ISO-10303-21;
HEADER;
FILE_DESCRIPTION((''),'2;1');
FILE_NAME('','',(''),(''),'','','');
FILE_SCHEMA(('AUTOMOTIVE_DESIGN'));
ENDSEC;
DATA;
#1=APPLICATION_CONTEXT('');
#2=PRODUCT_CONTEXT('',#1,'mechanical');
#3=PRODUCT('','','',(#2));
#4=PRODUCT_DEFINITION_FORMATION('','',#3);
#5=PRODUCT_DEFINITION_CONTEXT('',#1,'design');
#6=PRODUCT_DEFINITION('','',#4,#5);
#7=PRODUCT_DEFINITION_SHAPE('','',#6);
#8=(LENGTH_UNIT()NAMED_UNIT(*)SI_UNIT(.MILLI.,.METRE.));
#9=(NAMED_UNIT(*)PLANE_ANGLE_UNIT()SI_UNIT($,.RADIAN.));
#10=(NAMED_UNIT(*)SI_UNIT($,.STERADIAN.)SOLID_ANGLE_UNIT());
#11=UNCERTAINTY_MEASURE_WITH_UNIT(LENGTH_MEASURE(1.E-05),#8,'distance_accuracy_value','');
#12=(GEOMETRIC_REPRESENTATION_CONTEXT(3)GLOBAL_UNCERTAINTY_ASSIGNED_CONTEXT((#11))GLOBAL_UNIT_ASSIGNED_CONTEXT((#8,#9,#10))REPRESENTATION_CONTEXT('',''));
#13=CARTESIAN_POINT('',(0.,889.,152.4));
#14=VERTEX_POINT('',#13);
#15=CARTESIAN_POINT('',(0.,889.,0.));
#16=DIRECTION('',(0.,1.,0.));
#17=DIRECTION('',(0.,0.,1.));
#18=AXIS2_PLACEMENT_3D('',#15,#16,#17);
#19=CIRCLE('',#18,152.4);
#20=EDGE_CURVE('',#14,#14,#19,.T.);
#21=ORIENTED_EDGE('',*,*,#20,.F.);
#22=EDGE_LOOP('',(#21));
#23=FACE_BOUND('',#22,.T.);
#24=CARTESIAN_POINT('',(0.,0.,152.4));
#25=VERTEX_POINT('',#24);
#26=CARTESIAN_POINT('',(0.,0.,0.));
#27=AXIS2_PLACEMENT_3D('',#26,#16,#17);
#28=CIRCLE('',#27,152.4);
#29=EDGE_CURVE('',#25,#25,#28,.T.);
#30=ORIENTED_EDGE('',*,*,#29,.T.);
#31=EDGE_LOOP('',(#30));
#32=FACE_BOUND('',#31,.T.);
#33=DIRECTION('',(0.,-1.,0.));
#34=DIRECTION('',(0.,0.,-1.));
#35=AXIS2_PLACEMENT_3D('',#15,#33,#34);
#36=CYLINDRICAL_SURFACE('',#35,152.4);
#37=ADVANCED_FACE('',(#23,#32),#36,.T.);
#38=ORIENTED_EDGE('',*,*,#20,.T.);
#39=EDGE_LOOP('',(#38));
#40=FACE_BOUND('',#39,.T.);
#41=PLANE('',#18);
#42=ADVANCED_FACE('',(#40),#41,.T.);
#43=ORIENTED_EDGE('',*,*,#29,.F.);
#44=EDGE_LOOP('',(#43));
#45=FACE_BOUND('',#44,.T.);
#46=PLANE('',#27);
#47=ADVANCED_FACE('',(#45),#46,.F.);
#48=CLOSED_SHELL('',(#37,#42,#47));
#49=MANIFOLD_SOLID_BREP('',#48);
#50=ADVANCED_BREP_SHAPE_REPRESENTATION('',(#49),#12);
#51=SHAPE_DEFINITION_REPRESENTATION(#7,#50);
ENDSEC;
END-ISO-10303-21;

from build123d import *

# Parameters (mm, degrees)
SKETCH1_R           = 152.4
BOSS_EXTRUDE1_DEPTH = 889


with BuildPart() as part:
    # Sketch1 → Boss-Extrude1 (new body)
    with BuildSketch(Plane(origin=(0, 0, 0), x_dir=(1, 0, 0), z_dir=(0, 1, 0))):
        with Locations(Location((0, 0, 0), (0, 0, 270))):
            Circle(SKETCH1_R)
    extrude(amount=BOSS_EXTRUDE1_DEPTH)


solid = part.part
